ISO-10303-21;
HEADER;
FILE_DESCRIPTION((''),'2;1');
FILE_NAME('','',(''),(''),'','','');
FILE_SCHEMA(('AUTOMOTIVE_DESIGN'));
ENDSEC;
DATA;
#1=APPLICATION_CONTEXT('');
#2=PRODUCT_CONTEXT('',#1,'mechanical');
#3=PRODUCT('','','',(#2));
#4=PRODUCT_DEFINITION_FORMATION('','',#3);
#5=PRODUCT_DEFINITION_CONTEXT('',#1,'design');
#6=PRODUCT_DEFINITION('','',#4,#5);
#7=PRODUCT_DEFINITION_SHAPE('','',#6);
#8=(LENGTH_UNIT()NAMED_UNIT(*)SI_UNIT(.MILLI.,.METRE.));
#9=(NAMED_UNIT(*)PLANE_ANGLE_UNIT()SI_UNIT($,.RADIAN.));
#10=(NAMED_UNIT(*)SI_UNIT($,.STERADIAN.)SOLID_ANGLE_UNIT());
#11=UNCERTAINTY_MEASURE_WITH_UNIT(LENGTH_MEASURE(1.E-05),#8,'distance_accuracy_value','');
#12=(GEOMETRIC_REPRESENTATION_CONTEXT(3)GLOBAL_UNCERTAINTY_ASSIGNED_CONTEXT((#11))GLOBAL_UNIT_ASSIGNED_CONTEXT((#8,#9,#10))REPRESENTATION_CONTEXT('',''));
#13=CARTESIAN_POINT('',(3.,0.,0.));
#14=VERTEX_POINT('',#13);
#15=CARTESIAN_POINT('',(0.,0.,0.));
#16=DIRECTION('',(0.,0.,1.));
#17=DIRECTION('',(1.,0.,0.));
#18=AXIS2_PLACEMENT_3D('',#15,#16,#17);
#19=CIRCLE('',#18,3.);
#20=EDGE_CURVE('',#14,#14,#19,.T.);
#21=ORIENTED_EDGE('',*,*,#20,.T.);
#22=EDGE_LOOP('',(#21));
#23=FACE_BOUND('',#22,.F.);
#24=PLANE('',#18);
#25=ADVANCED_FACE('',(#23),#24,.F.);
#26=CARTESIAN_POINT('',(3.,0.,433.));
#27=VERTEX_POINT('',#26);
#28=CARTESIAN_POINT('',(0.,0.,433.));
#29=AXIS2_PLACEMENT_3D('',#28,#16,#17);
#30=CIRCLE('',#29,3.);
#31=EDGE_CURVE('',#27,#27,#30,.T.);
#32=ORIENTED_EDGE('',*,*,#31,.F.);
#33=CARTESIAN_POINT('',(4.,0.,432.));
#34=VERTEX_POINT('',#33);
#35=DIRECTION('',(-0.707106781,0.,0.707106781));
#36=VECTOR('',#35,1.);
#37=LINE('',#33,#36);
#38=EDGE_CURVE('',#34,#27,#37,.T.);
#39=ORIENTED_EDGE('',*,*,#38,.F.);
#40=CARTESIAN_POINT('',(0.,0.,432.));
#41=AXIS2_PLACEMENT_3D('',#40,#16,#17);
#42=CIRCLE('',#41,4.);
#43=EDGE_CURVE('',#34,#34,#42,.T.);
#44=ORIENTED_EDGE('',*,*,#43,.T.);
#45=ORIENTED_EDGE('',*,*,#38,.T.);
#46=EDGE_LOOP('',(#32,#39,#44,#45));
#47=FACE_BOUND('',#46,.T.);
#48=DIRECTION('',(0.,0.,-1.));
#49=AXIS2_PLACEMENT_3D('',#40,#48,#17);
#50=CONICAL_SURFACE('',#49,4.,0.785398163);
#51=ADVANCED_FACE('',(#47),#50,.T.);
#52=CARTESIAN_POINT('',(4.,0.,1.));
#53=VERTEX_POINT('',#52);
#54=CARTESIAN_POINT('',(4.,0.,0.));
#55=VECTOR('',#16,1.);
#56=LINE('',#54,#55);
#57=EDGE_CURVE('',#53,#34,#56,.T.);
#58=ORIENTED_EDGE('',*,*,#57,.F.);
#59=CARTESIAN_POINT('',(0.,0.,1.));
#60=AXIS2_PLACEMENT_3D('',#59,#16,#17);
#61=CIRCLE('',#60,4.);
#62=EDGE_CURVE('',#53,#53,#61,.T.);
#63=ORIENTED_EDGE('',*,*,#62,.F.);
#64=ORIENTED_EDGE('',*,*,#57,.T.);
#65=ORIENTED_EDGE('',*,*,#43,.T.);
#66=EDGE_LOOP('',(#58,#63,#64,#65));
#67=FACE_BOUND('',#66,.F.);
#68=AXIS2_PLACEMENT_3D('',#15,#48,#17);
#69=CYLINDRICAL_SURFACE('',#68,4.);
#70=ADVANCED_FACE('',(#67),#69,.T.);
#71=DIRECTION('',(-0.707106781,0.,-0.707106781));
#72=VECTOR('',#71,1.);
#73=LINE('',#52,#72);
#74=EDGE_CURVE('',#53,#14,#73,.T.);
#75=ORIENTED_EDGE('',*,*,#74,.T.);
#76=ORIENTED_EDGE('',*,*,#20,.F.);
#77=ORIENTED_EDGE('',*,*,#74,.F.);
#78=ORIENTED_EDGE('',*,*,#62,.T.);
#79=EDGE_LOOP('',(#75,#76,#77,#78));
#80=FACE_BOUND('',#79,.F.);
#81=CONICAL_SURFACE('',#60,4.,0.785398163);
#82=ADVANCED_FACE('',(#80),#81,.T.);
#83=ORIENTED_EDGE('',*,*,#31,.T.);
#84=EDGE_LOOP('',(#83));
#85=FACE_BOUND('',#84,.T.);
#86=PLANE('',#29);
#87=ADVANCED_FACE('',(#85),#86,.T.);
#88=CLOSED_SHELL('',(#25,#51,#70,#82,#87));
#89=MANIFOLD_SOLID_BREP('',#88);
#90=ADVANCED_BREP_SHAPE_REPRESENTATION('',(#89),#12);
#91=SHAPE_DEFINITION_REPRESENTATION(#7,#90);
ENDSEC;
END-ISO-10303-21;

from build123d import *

# Parameters (mm, degrees)
SKETCH_R     = 4
PAD_DEPTH    = 433
CHAMFER_SIZE = 1


with BuildPart() as part:
    # Sketch → Pad (new body)
    with BuildSketch(Plane.XY):
        Circle(SKETCH_R)
    extrude(amount=PAD_DEPTH)

    # Chamfer
    chamfer_edges = [part.edges().sort_by_distance(p)[0] for p in [
        (-4, 0, 0),
        (-4, 0, 433),
    ]]
    chamfer(chamfer_edges, length=CHAMFER_SIZE)


solid = part.part
